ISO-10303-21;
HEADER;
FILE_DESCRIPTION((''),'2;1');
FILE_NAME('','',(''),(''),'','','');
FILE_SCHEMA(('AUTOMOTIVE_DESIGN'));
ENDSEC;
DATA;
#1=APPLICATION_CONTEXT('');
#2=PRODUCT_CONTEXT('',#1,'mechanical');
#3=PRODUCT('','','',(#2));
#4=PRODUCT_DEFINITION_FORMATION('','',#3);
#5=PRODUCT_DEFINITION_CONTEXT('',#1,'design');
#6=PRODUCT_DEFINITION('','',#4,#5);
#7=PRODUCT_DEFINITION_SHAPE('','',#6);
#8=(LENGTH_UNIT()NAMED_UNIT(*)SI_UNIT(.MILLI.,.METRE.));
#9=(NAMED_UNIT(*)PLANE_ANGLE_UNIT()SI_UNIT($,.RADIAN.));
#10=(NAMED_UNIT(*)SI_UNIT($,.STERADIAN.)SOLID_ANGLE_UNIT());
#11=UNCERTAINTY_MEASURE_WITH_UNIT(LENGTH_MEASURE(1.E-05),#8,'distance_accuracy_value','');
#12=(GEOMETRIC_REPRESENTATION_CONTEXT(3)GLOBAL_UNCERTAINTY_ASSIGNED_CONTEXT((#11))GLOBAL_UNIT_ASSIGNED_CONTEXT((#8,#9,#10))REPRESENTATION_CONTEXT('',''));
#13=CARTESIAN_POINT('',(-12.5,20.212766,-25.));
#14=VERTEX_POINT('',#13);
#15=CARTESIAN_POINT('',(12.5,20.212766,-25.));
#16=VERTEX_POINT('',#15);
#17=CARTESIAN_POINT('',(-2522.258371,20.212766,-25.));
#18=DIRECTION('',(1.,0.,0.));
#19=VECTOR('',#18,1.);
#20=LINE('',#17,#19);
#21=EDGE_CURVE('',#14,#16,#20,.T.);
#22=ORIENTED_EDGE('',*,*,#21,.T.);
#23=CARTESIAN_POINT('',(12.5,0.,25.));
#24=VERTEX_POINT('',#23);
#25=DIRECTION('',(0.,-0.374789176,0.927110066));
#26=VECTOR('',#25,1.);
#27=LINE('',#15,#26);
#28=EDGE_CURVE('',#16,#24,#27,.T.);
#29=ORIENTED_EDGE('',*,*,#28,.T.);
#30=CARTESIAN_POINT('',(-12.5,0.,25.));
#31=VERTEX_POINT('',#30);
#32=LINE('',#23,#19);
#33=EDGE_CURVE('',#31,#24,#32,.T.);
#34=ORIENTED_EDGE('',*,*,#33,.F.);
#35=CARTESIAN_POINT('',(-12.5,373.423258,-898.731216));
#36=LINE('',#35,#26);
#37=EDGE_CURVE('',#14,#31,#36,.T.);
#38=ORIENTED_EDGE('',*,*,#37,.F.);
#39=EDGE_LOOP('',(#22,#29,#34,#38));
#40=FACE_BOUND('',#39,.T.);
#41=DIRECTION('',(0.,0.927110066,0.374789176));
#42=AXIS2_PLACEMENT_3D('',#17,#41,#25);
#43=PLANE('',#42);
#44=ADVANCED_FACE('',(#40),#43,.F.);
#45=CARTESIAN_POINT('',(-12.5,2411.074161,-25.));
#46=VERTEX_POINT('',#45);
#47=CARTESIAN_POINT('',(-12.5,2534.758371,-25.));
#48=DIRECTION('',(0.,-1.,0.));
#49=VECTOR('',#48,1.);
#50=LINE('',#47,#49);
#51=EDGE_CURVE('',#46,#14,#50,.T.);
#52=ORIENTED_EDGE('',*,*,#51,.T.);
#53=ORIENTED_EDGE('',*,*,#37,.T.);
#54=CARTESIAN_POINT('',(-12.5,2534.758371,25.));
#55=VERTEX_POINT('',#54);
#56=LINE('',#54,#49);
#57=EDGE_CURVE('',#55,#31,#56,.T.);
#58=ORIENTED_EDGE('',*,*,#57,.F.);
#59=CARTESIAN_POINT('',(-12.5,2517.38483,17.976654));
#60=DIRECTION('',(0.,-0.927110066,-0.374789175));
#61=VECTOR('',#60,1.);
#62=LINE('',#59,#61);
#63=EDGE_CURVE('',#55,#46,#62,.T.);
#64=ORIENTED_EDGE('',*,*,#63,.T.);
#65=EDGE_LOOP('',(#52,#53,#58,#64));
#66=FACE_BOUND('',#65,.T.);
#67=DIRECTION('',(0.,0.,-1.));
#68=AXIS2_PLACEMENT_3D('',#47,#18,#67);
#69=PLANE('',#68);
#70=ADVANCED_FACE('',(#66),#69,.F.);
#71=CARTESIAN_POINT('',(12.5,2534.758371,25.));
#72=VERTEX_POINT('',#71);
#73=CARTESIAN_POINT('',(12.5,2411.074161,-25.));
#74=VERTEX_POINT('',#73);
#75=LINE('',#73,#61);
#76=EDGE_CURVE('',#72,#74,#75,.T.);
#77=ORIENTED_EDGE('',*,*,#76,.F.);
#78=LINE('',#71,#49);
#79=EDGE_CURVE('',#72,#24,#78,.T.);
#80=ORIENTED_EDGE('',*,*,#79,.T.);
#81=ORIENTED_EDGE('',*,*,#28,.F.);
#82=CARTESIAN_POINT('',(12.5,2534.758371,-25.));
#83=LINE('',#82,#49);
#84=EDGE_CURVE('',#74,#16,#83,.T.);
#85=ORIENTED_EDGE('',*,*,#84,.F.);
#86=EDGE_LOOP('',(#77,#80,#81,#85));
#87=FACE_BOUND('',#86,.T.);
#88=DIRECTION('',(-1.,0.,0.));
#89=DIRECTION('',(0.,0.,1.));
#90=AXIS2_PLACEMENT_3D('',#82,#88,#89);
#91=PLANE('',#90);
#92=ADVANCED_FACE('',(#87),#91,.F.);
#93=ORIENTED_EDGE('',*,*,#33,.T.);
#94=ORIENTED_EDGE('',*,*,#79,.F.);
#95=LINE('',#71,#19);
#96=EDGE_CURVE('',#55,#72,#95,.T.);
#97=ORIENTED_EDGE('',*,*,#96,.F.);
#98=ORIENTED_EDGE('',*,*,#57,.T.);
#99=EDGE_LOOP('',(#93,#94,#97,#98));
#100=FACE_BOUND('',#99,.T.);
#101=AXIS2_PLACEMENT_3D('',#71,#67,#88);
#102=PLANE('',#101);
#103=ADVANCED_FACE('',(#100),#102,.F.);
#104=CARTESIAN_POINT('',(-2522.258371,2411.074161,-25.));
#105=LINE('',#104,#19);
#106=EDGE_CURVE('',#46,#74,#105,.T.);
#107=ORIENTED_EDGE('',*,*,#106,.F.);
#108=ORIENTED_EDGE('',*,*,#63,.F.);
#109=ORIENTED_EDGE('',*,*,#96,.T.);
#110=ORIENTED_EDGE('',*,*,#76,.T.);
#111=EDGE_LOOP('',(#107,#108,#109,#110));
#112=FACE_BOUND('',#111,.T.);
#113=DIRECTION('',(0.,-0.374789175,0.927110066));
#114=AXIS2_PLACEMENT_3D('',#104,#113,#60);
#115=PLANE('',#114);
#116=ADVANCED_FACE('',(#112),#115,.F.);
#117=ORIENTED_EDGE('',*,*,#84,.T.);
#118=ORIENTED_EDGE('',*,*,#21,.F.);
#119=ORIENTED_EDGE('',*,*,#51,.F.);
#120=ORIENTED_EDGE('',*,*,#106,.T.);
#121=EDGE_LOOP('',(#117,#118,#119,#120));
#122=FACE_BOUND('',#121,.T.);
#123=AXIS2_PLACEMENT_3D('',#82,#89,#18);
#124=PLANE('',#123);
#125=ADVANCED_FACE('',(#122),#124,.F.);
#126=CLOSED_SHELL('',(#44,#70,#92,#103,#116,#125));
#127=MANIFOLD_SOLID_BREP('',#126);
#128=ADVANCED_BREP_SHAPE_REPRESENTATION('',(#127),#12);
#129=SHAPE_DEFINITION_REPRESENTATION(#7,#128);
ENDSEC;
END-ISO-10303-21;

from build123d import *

# Parameters (mm, degrees)
SKETCH_1_W          = 25
SKETCH_1_H          = 50
EXTRUDE_1_DEPTH     = 2534.75837113
CUT_EXTRUDE_1_DEPTH = 2534.75837113


with BuildPart() as part:
    # Эскиз1 → Бобышка-Вытянуть1 (new body)
    with BuildSketch(Plane(origin=(0, 0, 0), x_dir=(1, 0, 0), z_dir=(0, 1, 0))):
        Rectangle(SKETCH_1_W, SKETCH_1_H)
    extrude(amount=EXTRUDE_1_DEPTH)

    # Эскиз2 → Вырез-Вытянуть1 (cut)
    with BuildSketch(Plane(origin=(12.5, 0, 0), x_dir=(0, 0, -1), z_dir=(1, 0, 0))):
        Polygon((25, 0), (25, 20.21276596), (-25, 0), align=None)
        Polygon((25, 2534.75837113), (25, 2411.0741606), (-25, 2534.75837113), align=None)
    extrude(amount=-CUT_EXTRUDE_1_DEPTH, mode=Mode.SUBTRACT)


solid = part.part
